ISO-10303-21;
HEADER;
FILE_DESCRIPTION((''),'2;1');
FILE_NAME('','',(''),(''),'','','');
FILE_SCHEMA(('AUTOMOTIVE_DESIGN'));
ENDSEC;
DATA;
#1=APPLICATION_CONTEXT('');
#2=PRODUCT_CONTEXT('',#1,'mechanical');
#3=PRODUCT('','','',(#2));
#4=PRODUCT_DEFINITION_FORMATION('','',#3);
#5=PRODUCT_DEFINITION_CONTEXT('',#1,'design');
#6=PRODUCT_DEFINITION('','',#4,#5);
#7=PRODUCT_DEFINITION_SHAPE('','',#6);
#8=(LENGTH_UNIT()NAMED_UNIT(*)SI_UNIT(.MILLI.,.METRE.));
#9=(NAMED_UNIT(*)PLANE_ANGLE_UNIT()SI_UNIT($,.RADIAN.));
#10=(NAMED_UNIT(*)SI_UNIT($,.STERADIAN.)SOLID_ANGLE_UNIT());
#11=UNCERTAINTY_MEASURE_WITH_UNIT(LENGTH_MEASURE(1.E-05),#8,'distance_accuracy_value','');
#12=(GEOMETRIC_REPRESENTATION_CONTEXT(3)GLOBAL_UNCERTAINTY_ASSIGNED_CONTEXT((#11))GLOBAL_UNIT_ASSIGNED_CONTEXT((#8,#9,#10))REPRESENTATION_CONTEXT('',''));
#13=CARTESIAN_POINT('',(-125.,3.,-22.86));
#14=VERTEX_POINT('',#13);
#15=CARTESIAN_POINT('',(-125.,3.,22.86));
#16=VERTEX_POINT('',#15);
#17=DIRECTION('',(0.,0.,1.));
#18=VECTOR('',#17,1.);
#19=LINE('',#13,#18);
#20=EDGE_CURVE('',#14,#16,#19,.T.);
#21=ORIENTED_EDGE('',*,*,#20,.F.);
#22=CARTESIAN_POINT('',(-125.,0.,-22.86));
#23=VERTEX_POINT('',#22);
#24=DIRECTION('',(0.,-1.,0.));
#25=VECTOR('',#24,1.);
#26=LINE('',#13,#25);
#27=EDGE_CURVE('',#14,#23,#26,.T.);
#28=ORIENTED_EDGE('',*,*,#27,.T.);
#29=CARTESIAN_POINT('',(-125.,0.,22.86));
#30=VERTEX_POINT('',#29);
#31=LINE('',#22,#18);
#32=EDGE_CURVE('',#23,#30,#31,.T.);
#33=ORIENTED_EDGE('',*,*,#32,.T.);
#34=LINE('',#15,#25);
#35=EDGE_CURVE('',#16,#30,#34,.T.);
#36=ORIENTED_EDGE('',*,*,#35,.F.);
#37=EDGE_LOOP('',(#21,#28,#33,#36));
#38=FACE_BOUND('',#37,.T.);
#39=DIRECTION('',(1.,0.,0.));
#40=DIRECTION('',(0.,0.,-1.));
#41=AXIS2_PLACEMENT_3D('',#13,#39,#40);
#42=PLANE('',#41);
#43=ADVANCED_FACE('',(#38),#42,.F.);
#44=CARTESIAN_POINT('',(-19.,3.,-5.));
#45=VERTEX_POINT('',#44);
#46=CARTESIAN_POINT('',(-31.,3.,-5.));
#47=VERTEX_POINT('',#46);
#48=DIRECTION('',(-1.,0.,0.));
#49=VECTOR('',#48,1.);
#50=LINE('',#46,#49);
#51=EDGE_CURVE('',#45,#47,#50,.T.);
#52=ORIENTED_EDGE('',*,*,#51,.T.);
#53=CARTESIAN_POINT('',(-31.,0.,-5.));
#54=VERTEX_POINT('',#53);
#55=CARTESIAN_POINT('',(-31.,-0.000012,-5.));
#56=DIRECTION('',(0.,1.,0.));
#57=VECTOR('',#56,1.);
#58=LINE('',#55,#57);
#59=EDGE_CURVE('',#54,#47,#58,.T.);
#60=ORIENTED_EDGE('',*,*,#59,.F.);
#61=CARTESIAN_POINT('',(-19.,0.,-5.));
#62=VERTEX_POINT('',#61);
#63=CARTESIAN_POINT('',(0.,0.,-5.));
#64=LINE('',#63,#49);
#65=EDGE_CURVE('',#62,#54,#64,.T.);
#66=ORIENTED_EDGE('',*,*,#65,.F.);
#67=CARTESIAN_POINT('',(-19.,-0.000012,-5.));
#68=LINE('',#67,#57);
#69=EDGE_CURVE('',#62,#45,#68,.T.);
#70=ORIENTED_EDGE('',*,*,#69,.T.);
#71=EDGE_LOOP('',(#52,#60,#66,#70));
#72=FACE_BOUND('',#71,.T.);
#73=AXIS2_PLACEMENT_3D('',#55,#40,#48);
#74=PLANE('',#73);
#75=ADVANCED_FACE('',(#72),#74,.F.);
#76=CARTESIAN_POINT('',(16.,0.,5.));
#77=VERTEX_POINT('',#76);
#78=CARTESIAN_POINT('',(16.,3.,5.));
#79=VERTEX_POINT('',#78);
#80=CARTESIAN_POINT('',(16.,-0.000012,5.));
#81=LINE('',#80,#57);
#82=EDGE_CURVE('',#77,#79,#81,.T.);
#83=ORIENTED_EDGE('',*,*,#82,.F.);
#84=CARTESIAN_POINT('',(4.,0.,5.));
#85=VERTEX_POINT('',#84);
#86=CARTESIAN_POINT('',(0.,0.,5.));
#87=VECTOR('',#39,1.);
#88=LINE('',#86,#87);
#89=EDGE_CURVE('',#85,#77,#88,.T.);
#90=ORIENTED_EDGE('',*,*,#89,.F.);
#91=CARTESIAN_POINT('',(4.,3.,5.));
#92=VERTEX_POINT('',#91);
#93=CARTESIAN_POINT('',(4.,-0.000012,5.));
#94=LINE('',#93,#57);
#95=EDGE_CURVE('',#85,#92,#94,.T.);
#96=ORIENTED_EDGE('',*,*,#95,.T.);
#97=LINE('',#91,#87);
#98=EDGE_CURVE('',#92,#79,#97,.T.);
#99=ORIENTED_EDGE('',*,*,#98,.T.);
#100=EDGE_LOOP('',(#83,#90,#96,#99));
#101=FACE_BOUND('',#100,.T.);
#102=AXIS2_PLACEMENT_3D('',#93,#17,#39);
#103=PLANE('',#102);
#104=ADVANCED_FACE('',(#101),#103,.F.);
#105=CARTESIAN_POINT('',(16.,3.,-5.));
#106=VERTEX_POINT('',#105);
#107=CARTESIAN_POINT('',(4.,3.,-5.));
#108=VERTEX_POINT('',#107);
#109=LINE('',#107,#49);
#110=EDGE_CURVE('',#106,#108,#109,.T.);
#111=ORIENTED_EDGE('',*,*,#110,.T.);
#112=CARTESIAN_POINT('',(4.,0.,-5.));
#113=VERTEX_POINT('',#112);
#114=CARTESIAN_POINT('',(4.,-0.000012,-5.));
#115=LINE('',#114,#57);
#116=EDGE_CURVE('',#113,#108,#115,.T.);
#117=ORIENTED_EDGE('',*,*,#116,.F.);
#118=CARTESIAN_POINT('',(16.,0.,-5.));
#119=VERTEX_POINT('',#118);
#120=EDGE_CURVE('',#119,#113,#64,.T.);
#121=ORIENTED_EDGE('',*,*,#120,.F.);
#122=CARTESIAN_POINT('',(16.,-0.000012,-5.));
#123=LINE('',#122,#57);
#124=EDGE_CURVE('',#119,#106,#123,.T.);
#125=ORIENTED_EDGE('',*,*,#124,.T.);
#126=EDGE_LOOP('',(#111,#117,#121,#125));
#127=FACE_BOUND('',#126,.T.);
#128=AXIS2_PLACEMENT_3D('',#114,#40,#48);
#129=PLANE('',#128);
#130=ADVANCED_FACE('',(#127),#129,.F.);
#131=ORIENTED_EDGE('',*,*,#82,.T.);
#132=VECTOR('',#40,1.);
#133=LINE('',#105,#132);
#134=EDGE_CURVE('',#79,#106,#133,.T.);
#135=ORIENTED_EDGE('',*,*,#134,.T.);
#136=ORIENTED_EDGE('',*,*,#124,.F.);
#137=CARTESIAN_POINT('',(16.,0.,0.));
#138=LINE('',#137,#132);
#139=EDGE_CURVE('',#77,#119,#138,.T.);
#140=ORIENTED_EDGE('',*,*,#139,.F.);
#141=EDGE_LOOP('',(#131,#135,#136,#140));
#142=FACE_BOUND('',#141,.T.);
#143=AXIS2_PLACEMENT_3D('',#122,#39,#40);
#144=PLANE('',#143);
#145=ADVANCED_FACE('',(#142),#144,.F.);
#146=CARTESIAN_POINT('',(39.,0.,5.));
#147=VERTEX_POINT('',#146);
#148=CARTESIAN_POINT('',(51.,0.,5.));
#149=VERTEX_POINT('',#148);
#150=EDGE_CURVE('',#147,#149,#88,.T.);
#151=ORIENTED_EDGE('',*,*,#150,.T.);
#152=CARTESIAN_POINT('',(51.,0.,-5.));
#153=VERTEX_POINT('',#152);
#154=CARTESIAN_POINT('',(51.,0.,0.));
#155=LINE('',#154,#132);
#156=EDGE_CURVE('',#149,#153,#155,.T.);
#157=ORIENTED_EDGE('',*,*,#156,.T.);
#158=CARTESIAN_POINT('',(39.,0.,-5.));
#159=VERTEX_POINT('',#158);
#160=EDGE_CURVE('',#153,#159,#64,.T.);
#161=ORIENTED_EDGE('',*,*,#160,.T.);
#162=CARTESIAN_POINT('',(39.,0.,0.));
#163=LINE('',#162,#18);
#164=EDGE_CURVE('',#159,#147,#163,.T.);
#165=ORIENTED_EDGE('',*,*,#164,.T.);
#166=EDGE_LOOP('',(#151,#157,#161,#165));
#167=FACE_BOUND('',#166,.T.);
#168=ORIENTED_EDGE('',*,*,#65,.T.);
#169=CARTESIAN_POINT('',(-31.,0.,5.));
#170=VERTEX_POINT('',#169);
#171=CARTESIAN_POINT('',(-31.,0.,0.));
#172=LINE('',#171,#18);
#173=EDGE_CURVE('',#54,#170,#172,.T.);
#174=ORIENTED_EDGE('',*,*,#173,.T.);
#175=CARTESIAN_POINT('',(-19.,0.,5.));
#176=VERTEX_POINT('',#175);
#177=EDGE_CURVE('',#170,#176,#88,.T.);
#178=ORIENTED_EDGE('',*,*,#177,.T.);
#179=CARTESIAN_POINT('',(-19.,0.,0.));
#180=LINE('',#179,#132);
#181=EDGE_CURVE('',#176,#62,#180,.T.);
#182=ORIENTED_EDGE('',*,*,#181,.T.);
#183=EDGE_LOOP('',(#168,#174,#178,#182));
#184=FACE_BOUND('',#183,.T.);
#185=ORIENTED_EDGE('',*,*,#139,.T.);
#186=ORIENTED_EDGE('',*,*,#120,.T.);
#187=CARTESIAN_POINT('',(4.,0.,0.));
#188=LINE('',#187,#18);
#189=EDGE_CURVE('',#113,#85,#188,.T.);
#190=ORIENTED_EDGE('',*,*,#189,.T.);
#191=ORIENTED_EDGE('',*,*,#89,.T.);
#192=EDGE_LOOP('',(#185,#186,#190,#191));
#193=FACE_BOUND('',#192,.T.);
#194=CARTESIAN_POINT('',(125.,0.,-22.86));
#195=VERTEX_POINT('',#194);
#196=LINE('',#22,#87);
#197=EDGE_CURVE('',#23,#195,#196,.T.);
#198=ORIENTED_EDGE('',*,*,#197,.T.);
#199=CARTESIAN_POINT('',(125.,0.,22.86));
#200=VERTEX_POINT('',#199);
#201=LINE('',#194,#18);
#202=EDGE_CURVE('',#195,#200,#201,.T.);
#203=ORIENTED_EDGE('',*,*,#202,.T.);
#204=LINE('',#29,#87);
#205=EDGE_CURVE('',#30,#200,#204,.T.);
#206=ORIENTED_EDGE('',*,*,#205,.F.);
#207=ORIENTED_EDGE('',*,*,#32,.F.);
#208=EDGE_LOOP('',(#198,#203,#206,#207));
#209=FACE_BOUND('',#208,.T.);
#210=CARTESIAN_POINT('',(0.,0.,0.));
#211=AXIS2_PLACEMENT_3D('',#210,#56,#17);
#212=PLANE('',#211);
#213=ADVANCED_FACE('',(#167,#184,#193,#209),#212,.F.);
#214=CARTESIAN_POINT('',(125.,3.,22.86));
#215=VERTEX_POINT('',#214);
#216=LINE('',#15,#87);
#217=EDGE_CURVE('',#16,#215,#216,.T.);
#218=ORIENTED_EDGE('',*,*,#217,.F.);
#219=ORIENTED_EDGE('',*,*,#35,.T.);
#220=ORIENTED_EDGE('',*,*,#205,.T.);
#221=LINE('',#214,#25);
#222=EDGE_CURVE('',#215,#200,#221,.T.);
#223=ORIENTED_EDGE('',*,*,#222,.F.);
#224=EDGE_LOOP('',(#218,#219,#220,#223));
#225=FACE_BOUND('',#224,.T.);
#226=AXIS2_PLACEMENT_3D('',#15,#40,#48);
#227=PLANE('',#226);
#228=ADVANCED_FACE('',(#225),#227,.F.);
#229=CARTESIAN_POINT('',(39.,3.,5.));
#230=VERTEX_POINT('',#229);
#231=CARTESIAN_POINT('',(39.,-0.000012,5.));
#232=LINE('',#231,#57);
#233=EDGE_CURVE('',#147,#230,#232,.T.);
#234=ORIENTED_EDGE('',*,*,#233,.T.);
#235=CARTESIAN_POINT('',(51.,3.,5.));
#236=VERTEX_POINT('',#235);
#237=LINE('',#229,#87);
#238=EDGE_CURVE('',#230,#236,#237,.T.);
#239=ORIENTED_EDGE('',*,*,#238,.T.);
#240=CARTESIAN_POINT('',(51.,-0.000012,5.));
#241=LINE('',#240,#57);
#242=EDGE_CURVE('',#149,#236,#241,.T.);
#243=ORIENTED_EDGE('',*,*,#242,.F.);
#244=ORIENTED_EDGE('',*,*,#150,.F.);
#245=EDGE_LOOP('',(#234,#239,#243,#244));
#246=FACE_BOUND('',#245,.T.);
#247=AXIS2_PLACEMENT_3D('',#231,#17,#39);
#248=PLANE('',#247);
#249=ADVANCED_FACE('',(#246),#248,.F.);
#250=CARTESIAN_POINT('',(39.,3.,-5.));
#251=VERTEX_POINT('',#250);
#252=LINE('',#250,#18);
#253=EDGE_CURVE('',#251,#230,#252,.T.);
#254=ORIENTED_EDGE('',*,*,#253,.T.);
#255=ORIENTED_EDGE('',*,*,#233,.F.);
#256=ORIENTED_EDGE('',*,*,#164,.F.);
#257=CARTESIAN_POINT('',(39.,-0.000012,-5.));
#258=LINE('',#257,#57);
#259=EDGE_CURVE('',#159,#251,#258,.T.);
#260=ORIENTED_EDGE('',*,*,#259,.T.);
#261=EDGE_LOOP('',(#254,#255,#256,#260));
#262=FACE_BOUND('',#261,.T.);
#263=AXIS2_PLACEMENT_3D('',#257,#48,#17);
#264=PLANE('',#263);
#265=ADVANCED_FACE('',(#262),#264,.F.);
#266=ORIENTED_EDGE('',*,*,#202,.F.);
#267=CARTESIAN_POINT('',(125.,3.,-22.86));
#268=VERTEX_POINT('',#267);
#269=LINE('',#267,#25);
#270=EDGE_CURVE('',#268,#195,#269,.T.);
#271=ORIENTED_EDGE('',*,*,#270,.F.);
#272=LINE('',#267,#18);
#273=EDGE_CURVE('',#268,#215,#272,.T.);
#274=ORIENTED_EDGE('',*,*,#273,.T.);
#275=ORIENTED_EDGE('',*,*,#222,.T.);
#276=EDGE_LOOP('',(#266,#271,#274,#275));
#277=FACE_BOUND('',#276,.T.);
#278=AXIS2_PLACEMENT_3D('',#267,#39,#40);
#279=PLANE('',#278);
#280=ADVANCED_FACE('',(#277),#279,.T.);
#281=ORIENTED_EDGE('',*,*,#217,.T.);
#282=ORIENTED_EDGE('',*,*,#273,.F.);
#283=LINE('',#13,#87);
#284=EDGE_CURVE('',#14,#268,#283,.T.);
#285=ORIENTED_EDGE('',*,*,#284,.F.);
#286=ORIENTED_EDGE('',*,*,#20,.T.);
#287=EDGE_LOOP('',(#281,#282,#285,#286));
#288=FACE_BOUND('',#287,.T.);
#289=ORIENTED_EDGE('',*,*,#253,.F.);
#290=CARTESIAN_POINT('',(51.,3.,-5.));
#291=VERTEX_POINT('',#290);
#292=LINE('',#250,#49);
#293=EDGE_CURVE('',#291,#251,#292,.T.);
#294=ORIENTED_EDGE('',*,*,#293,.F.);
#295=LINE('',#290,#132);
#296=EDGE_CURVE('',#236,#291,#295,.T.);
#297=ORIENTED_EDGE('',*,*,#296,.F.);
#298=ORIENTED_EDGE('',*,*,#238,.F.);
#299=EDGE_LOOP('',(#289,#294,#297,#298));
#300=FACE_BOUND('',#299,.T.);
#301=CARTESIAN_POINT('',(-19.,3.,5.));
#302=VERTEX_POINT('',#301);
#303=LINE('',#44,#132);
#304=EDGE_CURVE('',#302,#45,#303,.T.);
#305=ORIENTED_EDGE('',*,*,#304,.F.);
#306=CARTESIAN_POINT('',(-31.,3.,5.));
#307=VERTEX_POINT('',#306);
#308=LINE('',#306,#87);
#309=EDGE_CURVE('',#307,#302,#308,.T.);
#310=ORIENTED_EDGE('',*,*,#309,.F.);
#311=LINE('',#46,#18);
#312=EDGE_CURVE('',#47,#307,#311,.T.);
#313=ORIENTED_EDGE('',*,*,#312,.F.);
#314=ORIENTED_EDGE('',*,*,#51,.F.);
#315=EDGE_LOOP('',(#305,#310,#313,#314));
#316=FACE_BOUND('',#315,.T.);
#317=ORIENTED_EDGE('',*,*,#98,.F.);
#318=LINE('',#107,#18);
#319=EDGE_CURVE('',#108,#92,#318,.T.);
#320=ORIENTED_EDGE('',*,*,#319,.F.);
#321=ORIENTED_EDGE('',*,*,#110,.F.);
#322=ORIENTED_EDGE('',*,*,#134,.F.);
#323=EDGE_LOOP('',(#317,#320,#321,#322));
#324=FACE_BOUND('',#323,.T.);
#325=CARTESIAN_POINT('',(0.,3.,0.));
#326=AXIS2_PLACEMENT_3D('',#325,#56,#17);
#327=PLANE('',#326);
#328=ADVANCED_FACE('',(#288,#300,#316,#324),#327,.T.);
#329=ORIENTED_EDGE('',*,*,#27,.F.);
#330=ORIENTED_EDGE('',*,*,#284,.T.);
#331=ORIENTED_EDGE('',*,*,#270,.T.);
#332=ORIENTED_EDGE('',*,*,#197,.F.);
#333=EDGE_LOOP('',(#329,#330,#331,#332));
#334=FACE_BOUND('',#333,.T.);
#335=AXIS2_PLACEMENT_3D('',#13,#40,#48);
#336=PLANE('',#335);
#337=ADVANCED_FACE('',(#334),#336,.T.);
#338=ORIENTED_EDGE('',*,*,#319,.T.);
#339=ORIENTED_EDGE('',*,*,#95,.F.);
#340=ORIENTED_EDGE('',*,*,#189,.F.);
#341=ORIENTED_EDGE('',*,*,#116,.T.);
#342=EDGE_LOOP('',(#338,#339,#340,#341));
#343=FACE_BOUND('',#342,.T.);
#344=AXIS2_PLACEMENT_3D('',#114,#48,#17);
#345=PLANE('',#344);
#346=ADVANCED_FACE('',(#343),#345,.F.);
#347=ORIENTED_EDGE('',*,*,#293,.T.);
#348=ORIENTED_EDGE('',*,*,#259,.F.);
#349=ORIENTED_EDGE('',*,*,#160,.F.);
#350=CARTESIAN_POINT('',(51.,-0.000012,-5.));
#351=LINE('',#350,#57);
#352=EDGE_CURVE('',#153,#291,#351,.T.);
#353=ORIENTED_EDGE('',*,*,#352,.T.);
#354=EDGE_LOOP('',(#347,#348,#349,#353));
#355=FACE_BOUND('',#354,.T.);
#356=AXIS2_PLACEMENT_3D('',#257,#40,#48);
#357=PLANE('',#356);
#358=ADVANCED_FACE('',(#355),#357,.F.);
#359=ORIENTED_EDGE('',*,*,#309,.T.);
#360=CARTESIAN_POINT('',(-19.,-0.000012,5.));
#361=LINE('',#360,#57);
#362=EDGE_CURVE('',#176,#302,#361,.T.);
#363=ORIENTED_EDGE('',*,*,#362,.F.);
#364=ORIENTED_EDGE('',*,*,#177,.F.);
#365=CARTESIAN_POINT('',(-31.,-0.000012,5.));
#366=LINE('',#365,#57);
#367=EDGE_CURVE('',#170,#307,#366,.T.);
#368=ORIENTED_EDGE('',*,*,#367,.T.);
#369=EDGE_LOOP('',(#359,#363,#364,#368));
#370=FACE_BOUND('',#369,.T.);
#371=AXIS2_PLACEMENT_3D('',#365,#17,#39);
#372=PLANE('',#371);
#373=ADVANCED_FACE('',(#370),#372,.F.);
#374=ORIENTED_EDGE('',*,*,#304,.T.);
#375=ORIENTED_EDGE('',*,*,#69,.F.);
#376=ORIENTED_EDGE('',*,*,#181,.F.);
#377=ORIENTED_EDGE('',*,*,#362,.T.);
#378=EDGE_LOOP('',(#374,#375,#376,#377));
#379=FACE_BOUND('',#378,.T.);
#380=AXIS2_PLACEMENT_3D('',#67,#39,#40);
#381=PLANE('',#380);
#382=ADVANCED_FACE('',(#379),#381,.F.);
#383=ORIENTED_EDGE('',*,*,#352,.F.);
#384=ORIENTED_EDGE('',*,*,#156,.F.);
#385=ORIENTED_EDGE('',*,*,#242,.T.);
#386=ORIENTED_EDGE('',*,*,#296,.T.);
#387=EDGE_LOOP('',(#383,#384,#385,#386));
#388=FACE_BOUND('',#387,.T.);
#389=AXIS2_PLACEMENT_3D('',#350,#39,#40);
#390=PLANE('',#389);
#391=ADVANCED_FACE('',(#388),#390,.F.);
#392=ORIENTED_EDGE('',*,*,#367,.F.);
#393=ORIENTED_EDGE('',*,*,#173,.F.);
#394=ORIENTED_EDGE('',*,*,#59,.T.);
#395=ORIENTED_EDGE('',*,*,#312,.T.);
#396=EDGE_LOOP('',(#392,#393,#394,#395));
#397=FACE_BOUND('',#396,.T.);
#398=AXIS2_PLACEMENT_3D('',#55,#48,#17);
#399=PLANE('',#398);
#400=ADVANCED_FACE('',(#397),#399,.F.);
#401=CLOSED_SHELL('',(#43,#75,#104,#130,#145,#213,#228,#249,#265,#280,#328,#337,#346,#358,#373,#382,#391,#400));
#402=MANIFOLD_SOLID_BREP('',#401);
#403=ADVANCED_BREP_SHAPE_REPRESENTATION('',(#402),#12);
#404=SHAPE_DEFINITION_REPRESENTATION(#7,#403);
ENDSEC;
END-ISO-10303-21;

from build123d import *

# Parameters (mm, degrees)
SKETCH1_W               = 250
SKETCH1_H               = 45.72
BOSS_EXTRUDE1_DEPTH     = 3
CUT_EXTRUDE1_DEPTH      = 128.108534725
CUT_EXTRUDE1_DEPTH_BACK = 128.108534725
SKETCH2_W               = 12
SKETCH2_H               = 10


with BuildPart() as part:
    # Sketch1 → Boss-Extrude1 (new body)
    with BuildSketch(Plane(origin=(0, 0, 0), x_dir=(1, 0, 0), z_dir=(0, 1, 0))):
        Rectangle(SKETCH1_W, SKETCH1_H)
    extrude(amount=BOSS_EXTRUDE1_DEPTH)

    # Sketch2 → Cut-Extrude1 (cut, two sides: drawn at the far end of the back side and taken through both)
    with BuildSketch(Plane(origin=(0, 0, 0), x_dir=(1, 0, 0), z_dir=(0, 1, 0)).offset(-CUT_EXTRUDE1_DEPTH_BACK)):
        with Locations((-25, 0)):
            Rectangle(SKETCH2_W, SKETCH2_H)
        with Locations((10, 0)):
            Rectangle(SKETCH2_W, SKETCH2_H)
        with Locations((45, 0)):
            Rectangle(SKETCH2_W, SKETCH2_H)
    extrude(amount=CUT_EXTRUDE1_DEPTH + CUT_EXTRUDE1_DEPTH_BACK, mode=Mode.SUBTRACT)


solid = part.part
